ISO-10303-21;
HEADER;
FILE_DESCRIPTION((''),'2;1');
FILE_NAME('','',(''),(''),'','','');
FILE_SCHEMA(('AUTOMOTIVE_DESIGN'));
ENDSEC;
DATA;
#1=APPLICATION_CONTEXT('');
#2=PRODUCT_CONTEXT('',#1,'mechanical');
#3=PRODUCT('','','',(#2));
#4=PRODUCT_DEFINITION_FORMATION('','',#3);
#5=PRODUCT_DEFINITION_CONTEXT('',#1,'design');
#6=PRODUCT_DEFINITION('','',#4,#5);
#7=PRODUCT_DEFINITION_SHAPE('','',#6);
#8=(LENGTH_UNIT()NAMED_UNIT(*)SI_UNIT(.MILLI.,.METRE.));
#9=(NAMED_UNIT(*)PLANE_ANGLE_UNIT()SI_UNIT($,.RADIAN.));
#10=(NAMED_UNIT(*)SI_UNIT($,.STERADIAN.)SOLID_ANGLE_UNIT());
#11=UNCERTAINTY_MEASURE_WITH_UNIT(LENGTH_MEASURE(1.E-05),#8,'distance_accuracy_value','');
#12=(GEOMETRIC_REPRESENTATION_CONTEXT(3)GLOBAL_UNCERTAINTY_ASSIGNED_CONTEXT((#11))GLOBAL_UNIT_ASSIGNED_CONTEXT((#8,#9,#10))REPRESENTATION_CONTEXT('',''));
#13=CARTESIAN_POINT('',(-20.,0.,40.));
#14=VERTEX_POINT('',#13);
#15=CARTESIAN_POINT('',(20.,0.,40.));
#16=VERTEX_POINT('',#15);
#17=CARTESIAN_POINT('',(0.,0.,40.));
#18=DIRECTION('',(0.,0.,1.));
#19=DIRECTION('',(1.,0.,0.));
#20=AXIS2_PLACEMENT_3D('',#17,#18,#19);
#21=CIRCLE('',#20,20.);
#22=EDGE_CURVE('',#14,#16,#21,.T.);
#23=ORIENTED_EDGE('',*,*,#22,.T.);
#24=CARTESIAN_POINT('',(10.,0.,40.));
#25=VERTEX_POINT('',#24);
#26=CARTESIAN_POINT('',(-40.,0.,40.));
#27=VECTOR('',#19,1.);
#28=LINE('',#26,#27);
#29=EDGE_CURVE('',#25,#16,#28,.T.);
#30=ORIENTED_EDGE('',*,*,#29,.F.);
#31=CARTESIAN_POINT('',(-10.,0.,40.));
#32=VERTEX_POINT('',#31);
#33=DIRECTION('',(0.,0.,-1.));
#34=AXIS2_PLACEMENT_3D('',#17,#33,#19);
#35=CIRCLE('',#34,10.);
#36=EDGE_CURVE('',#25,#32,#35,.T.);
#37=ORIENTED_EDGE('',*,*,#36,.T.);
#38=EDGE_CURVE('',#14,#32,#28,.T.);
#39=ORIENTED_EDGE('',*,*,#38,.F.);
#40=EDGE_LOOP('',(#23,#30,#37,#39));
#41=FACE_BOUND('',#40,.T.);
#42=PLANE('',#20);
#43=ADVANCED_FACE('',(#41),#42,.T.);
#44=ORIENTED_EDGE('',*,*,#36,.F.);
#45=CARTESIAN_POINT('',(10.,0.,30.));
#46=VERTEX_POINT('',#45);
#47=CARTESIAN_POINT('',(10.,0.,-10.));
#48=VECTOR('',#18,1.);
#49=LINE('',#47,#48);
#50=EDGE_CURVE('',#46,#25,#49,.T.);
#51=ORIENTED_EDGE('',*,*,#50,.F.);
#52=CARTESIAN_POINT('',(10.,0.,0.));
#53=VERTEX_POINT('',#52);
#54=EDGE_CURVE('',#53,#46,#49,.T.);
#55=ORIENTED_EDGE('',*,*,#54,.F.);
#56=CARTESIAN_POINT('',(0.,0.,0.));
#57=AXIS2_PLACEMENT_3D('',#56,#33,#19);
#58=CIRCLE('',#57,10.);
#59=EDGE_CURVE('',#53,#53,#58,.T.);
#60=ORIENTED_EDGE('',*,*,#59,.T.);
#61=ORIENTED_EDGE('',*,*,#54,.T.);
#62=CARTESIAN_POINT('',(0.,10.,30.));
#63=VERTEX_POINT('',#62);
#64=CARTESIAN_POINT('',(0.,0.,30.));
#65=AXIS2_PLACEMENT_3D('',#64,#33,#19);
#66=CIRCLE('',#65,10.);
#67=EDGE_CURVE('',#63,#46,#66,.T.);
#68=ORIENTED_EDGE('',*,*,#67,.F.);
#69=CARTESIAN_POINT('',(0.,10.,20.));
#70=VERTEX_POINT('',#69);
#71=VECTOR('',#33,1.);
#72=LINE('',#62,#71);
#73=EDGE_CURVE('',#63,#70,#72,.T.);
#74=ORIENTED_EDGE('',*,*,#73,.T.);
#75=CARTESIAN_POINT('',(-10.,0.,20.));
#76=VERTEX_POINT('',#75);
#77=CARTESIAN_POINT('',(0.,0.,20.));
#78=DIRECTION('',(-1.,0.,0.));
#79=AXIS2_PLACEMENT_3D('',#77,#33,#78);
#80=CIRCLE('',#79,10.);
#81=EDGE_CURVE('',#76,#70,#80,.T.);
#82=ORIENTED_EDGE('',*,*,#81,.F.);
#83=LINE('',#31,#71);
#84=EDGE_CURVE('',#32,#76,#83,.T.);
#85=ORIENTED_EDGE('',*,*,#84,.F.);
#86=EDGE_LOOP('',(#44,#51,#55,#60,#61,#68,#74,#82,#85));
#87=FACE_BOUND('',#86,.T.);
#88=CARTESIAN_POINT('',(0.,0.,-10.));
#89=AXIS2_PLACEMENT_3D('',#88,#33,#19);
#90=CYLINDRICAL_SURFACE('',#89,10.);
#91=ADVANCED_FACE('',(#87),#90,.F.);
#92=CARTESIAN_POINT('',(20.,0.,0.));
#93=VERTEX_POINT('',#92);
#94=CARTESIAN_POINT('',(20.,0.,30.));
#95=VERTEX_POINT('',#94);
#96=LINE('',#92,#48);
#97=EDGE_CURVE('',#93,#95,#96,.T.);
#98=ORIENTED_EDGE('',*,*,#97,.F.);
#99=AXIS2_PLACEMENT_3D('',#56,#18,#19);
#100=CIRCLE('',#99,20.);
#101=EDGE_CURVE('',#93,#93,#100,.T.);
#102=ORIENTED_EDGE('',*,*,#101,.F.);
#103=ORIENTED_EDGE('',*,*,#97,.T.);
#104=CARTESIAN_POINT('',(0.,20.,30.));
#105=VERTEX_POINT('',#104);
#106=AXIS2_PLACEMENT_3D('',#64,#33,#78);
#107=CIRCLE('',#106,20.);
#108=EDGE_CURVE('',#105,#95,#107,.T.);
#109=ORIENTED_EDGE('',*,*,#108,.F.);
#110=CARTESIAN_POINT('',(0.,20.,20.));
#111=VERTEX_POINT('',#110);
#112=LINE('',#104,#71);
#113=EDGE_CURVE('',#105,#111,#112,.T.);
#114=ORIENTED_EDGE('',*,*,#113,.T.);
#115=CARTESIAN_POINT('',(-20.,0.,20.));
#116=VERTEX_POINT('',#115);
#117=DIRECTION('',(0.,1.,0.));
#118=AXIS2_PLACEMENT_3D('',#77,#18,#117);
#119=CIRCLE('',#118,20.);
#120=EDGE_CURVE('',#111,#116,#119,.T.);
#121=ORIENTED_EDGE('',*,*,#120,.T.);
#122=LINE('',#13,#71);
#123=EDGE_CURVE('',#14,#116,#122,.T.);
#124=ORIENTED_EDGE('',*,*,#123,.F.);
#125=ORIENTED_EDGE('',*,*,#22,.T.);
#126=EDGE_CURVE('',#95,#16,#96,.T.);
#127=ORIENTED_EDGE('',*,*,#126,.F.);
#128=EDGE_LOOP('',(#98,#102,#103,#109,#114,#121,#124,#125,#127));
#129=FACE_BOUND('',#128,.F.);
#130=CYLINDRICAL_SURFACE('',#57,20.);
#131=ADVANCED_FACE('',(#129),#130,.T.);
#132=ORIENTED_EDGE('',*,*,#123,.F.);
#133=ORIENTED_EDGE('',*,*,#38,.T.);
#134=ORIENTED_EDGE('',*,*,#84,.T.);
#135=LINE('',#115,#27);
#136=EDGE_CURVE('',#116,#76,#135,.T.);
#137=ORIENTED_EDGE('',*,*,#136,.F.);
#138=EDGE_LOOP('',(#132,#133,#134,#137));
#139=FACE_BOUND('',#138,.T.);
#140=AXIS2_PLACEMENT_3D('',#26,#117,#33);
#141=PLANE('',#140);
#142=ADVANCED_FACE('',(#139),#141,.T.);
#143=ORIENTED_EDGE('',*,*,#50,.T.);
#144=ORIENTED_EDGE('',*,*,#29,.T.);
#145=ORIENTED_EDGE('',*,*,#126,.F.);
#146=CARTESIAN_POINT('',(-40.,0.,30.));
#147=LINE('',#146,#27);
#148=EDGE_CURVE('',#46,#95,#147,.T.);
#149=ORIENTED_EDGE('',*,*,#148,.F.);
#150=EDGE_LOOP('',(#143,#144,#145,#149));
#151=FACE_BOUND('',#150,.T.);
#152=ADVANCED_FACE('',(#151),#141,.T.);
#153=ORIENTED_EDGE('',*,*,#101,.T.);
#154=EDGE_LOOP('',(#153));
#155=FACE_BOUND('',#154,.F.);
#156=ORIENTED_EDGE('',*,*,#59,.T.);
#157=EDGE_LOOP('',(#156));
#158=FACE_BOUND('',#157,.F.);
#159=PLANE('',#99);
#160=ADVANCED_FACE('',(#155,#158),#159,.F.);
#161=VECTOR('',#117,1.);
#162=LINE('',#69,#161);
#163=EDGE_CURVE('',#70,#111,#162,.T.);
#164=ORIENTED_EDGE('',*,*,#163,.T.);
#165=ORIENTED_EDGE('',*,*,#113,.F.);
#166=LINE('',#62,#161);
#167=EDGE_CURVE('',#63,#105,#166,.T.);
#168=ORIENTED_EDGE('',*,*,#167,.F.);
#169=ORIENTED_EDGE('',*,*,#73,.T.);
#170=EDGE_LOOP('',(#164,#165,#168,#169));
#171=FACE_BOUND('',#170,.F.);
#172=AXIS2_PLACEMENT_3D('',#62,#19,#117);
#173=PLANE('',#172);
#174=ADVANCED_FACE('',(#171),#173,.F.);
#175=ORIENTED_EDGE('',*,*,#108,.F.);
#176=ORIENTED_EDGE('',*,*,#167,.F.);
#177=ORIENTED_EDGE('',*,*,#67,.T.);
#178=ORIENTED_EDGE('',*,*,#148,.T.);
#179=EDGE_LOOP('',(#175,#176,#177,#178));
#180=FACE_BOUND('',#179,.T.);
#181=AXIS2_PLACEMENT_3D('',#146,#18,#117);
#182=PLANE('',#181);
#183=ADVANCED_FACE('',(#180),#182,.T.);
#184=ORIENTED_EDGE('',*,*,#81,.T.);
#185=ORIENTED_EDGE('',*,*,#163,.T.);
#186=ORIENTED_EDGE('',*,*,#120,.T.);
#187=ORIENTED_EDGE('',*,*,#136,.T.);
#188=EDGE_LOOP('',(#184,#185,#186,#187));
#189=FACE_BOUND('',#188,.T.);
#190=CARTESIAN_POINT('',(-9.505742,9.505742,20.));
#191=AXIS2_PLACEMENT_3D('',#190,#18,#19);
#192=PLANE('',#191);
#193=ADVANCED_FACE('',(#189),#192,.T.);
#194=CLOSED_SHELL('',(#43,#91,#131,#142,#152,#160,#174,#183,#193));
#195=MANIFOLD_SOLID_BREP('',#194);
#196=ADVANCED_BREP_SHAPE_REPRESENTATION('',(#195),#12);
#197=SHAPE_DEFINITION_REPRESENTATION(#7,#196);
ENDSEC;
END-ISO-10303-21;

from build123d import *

# Parameters (mm, degrees)
SKETCH1_R               = 20
BOSS_EXTRUDE1_DEPTH     = 40
CUT_EXTRUDE1_DEPTH      = 40
CUT_EXTRUDE1_DEPTH_BACK = 40
SKETCH2_W               = 10
SKETCH2_H               = 20
CUT_EXTRUDE2_DEPTH      = 40
CUT_EXTRUDE2_DEPTH_BACK = 40
SKETCH3_R               = 10
CUT_EXTRUDE3_DEPTH      = 10


with BuildPart() as part:
    # Sketch1 → Boss-Extrude1 (new body)
    with BuildSketch(Plane.XY):
        Circle(SKETCH1_R)
    extrude(amount=BOSS_EXTRUDE1_DEPTH)

    # Sketch2 → Cut-Extrude1 (cut, two sides: drawn at the far end of the back side and taken through both)
    with BuildSketch(Plane(origin=(0, 0, 0), x_dir=(0, 0, -1), z_dir=(1, 0, 0)).offset(-CUT_EXTRUDE1_DEPTH_BACK)):
        with Locations((-35, 10)):
            Rectangle(SKETCH2_W, SKETCH2_H)
    extrude(amount=CUT_EXTRUDE1_DEPTH + CUT_EXTRUDE1_DEPTH_BACK, mode=Mode.SUBTRACT)

    # Sketch3 → Cut-Extrude2 (cut, two sides: drawn at the far end of the back side and taken through both)
    with BuildSketch(Plane.XY.offset(30).offset(-CUT_EXTRUDE2_DEPTH_BACK)):
        Circle(SKETCH3_R)
    extrude(amount=CUT_EXTRUDE2_DEPTH + CUT_EXTRUDE2_DEPTH_BACK, mode=Mode.SUBTRACT)

    # Sketch4 → Cut-Extrude3 (cut)
    with BuildSketch(Plane.XY.offset(30)):
        with BuildLine():
            Line((-20, 0), (-10, 0))
            ThreePointArc((-10, 0), (-7.071067812, 7.071067812), (0, 10))
            Line((0, 10), (0, 20))
            ThreePointArc((0, 20), (-14.142135624, 14.142135624), (-20, 0))
        make_face()
    extrude(amount=-CUT_EXTRUDE3_DEPTH, mode=Mode.SUBTRACT)


solid = part.part
